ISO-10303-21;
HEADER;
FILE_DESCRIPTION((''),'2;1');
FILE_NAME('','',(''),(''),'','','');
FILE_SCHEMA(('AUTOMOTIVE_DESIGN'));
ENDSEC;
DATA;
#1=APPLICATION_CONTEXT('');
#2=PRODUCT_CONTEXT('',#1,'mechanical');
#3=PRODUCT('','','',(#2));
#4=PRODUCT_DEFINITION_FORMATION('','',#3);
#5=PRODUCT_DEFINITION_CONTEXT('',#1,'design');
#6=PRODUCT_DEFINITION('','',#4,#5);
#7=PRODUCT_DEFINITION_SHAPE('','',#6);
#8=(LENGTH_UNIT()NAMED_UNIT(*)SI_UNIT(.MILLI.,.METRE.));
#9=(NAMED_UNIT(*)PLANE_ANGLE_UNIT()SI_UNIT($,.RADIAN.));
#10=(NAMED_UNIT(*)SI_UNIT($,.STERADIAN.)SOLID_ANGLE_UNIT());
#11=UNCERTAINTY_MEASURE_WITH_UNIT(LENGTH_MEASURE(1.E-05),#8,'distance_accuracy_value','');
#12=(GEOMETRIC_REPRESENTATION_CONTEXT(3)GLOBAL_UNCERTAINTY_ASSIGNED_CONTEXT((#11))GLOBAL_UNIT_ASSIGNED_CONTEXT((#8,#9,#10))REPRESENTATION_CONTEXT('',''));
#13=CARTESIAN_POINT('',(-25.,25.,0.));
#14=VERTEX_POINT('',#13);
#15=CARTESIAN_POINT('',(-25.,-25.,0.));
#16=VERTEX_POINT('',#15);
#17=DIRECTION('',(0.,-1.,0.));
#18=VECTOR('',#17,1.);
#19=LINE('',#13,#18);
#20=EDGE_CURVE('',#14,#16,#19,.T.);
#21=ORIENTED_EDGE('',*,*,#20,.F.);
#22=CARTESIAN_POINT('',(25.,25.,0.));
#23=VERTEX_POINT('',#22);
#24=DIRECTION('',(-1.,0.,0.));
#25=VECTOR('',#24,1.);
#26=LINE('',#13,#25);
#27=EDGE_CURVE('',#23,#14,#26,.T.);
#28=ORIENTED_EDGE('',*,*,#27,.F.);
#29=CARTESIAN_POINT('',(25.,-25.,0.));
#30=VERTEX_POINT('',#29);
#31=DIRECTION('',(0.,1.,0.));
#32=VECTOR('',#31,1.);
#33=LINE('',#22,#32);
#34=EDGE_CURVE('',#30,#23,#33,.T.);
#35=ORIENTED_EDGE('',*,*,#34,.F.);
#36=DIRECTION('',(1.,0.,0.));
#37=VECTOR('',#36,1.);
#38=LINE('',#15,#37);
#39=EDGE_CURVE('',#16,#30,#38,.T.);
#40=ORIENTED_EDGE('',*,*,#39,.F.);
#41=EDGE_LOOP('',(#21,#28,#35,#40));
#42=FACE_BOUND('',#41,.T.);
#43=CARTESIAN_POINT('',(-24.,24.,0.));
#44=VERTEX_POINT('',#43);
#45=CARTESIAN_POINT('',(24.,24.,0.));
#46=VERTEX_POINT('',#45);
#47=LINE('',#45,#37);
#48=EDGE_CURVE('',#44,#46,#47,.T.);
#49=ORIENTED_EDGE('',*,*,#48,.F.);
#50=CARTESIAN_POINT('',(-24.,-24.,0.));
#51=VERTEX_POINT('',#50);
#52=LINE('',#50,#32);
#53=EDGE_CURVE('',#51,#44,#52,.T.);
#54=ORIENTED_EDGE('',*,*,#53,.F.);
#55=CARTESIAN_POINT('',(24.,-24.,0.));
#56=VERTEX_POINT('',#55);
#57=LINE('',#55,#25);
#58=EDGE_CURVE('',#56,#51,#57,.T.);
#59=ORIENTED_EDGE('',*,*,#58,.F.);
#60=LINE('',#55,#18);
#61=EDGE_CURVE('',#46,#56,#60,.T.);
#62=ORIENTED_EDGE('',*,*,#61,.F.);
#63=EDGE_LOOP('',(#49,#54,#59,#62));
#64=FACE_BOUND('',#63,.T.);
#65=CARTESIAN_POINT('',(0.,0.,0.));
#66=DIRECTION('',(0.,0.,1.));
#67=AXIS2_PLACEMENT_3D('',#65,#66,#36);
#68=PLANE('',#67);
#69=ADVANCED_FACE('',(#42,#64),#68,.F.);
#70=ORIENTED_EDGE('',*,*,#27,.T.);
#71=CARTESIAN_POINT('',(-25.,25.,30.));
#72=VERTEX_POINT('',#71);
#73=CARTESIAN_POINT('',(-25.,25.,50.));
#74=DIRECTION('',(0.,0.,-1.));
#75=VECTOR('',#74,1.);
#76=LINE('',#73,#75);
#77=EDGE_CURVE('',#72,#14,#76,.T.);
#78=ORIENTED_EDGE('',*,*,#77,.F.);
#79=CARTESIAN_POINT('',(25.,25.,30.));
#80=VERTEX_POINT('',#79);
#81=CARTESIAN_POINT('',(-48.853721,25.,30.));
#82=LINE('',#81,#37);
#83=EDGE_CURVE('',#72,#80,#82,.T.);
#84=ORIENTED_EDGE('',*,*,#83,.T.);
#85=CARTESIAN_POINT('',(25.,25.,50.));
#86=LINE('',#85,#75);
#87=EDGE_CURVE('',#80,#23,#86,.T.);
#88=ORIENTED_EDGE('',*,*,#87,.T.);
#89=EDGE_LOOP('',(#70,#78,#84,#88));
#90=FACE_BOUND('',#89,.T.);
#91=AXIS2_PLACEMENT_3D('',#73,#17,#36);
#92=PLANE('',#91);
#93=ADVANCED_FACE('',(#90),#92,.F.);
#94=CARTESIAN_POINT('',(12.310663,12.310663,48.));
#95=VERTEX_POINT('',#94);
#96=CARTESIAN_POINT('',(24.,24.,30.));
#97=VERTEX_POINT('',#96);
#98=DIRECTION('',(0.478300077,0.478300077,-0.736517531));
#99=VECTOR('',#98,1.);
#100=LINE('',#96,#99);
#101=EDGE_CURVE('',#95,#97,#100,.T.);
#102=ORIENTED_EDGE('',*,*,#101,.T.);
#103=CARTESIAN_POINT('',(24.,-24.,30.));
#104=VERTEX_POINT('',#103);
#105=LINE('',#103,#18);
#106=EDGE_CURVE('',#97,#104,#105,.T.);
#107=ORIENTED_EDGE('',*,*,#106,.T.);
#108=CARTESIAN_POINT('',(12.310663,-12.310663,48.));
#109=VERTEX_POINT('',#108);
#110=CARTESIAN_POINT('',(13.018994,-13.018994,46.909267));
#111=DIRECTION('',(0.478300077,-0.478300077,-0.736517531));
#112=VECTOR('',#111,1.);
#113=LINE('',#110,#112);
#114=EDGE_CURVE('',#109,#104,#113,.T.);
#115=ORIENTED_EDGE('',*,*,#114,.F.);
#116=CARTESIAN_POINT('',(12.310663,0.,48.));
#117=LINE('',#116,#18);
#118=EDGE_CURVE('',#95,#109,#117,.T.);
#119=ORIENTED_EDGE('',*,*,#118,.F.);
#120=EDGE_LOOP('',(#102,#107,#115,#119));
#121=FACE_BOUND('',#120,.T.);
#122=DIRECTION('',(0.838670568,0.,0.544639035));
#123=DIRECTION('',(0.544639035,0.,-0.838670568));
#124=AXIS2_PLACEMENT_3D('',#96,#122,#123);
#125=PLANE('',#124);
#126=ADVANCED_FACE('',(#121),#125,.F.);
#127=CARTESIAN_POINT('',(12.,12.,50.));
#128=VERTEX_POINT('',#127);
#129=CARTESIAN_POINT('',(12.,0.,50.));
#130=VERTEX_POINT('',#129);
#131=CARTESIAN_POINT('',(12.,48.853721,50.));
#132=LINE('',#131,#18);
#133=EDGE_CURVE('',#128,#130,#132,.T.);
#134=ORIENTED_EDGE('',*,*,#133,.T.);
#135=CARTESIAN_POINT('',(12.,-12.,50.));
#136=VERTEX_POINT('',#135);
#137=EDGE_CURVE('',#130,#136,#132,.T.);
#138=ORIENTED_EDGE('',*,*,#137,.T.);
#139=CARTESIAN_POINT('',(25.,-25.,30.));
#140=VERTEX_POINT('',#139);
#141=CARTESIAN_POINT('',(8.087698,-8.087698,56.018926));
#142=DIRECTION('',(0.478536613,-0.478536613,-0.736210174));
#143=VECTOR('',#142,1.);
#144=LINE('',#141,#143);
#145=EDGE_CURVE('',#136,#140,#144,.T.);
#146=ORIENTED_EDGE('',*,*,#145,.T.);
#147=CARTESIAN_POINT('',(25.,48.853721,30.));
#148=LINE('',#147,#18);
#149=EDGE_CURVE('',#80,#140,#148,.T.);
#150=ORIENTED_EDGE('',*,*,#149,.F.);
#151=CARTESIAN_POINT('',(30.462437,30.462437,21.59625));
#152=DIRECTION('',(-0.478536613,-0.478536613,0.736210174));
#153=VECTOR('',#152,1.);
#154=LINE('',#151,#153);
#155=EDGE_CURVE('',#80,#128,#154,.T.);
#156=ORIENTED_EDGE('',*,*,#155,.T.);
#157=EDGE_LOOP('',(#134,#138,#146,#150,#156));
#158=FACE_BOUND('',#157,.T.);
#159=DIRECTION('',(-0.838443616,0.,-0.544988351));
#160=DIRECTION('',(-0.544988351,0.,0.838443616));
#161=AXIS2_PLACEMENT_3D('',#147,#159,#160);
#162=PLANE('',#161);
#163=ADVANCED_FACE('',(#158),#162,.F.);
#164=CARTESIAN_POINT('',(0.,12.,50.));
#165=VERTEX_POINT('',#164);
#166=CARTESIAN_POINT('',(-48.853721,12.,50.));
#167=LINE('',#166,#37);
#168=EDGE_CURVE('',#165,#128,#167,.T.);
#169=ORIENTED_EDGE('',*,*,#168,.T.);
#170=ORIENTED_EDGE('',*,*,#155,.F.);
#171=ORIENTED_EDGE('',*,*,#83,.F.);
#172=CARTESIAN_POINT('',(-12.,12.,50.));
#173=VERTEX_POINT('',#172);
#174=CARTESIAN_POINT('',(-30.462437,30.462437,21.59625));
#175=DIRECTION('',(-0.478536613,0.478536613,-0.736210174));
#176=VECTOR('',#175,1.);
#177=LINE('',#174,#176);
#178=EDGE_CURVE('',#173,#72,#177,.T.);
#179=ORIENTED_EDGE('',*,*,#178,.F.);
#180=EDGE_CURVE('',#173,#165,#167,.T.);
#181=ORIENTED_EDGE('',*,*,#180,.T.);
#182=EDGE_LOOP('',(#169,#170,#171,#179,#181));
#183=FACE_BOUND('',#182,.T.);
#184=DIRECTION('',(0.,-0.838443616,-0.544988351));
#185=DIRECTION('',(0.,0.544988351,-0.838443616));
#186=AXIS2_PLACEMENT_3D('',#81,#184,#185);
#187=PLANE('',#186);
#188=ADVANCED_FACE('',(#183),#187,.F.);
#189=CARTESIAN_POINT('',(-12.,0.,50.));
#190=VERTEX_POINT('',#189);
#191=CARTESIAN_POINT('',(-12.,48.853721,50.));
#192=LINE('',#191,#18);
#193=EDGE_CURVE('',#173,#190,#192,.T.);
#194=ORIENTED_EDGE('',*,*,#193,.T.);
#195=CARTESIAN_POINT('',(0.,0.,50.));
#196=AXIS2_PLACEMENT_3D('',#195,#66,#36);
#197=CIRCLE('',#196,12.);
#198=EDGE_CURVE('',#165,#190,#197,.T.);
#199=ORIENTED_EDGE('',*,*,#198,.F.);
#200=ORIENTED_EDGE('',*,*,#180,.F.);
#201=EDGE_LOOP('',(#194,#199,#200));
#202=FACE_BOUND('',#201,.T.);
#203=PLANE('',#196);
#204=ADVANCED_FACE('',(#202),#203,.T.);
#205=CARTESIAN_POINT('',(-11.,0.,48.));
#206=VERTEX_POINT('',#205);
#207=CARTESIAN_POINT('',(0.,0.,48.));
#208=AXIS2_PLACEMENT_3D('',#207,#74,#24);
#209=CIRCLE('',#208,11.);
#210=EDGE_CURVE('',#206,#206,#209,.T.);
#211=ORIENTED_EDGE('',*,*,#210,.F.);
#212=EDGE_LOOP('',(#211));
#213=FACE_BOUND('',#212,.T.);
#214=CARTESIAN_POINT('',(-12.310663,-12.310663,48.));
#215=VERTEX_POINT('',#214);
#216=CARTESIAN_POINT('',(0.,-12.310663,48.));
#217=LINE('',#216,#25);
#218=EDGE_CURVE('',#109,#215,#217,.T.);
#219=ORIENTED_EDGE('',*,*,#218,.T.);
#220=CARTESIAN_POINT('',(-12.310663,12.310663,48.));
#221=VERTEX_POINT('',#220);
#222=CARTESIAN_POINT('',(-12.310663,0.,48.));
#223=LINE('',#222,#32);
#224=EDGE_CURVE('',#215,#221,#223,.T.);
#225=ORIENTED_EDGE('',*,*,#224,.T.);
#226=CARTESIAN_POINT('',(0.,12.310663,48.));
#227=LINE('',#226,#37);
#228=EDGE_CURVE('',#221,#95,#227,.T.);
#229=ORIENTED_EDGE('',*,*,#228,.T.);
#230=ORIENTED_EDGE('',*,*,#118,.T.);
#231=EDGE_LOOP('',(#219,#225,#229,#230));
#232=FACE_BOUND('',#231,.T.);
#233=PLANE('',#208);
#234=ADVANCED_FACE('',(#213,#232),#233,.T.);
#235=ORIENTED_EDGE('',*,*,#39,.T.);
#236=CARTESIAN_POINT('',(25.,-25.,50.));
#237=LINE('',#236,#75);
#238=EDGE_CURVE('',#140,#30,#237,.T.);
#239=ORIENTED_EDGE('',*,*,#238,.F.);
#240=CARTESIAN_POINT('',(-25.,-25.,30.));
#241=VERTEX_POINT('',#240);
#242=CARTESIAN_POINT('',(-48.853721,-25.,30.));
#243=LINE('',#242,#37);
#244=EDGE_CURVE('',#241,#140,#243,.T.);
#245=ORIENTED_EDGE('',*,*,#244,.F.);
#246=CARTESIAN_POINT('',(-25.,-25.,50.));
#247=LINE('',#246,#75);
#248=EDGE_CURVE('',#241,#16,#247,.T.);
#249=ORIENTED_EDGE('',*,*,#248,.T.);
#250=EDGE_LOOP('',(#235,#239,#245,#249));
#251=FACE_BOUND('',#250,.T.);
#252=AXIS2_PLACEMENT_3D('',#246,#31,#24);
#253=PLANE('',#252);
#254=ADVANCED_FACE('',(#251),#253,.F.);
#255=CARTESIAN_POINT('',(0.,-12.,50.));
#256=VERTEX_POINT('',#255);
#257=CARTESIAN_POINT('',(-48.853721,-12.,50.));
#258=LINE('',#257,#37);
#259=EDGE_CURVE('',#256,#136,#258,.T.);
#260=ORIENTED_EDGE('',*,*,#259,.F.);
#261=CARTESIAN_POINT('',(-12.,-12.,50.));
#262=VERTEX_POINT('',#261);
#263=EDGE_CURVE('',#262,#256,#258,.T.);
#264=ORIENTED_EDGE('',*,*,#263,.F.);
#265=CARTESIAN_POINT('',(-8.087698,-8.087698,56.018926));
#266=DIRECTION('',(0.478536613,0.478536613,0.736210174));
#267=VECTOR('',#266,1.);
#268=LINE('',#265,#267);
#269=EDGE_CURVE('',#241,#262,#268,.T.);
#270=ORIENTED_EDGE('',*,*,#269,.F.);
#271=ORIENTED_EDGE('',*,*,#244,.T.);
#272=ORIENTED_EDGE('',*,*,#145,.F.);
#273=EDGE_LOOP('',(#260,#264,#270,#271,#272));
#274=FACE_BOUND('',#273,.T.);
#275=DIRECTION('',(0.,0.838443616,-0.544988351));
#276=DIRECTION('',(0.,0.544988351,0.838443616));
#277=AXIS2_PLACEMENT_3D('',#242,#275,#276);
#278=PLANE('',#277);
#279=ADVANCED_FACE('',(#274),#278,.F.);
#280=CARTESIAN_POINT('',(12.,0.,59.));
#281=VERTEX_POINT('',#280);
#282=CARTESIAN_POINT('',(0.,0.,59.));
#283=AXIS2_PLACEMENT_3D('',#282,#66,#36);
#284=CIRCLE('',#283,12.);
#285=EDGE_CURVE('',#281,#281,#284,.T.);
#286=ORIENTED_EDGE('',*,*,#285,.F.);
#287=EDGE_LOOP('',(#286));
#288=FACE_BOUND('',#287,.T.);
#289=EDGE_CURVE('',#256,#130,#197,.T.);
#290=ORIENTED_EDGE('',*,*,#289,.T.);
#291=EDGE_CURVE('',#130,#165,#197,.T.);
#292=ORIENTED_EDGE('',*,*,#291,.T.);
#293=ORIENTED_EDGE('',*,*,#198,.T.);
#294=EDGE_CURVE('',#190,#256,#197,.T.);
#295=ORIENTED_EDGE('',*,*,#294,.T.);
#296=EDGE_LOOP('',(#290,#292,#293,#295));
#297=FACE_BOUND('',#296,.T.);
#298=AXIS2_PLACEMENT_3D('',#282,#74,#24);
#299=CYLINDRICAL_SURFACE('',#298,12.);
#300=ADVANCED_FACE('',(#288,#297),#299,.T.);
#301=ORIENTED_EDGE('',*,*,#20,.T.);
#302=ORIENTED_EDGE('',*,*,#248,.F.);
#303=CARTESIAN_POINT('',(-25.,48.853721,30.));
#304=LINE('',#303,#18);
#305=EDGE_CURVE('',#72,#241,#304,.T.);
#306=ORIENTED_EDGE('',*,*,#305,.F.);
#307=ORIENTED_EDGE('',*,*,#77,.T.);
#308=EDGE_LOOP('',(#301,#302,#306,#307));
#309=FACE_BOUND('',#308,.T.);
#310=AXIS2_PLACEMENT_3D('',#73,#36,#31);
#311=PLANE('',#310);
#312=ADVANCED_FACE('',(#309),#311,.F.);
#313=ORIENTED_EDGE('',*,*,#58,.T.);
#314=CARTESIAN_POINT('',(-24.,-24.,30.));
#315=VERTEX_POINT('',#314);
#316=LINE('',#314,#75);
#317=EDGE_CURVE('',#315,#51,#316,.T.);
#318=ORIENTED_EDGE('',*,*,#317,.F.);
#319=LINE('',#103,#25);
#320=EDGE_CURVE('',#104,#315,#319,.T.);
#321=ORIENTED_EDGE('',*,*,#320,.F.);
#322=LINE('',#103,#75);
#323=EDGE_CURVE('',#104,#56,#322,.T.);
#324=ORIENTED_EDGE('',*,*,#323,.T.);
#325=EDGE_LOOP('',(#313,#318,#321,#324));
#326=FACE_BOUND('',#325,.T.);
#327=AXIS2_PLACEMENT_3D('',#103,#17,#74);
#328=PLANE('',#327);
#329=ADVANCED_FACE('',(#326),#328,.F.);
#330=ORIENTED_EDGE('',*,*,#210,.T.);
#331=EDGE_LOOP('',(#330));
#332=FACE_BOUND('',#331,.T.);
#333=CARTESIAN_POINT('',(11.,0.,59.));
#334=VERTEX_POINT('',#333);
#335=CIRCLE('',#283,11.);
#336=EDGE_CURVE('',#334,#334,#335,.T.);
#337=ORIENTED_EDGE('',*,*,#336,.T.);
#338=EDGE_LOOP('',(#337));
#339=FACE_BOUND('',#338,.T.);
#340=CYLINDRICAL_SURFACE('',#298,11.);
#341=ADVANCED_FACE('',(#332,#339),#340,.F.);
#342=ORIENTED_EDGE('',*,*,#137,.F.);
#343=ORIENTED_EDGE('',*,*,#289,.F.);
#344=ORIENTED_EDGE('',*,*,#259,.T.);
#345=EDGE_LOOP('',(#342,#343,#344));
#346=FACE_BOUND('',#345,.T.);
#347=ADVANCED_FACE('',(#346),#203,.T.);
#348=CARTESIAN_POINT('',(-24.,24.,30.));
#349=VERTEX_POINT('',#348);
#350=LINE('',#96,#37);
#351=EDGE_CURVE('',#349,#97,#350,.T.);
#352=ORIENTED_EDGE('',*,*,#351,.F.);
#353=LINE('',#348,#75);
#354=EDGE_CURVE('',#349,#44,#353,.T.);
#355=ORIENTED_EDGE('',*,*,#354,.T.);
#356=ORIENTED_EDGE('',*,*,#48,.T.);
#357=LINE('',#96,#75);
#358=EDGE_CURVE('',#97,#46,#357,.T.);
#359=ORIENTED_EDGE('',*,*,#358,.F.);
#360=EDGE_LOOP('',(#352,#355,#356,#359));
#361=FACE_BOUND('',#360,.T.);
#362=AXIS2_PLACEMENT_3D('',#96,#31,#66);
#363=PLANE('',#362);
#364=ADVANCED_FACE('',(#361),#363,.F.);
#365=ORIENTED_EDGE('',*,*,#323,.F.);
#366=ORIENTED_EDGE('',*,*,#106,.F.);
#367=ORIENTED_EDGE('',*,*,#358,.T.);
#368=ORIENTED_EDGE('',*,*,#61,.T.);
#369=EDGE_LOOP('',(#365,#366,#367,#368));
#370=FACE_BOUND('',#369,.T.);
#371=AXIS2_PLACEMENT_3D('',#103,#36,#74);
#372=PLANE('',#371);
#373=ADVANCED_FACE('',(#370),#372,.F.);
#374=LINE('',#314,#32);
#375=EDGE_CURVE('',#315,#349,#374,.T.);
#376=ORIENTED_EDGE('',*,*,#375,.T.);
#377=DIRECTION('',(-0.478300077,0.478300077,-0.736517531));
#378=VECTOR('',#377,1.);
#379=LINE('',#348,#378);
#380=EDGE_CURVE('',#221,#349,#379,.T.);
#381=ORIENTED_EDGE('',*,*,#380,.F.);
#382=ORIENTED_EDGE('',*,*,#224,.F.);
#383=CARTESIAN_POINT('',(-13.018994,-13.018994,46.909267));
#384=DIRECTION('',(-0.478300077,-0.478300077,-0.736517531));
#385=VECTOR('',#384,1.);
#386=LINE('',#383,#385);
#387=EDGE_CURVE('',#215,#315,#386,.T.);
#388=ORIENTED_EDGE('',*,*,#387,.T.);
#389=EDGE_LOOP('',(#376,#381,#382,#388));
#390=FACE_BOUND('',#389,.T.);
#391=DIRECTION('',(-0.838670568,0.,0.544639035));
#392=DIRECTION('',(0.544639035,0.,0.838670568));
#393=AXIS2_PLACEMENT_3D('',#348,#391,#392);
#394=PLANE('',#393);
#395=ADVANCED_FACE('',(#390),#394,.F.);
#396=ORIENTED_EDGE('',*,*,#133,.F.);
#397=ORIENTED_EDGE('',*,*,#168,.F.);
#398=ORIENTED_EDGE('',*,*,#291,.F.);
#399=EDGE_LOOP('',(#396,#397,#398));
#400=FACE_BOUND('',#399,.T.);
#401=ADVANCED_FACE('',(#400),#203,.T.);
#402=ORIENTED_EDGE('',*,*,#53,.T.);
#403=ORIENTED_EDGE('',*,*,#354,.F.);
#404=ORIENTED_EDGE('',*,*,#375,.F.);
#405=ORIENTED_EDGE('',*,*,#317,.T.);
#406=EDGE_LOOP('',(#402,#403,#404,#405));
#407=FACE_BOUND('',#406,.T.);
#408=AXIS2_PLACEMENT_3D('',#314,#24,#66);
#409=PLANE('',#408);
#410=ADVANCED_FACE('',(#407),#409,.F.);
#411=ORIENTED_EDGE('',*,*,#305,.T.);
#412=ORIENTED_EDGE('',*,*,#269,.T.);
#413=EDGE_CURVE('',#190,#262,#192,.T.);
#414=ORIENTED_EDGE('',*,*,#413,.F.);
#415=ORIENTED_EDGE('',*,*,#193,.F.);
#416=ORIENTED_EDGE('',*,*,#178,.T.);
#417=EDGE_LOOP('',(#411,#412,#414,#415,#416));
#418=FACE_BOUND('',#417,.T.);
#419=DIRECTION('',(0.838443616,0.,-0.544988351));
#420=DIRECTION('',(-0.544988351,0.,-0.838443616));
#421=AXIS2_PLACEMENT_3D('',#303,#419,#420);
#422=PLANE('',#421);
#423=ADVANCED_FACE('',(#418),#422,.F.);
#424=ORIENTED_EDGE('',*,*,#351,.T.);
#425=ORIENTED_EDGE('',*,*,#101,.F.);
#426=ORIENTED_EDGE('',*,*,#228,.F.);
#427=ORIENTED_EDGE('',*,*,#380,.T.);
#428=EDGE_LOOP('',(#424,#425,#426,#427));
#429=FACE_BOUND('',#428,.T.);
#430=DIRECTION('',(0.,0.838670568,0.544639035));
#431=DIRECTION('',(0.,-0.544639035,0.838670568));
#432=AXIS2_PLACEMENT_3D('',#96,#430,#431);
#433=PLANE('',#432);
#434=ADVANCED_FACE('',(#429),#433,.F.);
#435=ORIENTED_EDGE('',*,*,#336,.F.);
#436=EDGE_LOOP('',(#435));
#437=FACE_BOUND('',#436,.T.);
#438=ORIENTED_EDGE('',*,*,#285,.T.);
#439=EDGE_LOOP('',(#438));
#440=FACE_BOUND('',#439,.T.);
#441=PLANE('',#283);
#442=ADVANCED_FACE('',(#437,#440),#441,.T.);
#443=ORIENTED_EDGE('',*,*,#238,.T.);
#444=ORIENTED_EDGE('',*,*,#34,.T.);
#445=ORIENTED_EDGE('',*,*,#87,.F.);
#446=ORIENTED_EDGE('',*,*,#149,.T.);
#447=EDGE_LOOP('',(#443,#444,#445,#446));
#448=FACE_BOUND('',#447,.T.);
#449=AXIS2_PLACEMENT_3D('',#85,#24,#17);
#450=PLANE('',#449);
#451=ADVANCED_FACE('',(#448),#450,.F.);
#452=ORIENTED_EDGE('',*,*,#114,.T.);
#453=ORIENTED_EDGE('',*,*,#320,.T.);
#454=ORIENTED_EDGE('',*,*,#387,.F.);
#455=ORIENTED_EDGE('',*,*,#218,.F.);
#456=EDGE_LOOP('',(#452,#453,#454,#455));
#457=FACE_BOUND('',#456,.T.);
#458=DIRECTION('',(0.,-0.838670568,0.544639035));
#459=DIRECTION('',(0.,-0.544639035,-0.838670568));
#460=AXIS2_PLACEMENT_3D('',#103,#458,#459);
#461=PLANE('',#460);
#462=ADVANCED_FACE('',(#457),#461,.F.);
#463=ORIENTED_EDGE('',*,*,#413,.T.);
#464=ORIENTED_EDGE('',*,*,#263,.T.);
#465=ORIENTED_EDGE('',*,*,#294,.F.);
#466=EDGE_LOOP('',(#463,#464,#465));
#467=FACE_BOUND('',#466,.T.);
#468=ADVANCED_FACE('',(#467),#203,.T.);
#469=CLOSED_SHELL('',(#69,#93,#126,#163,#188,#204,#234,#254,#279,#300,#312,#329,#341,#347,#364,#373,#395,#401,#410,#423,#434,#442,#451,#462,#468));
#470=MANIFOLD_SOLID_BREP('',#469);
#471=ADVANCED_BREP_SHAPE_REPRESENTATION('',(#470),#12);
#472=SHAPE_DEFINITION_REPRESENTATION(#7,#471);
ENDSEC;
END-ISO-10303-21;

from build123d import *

# Parameters (mm, degrees)
SKETCH_1_W           = 50
SKETCH_1_H           = 50
EXTRUDE_1_DEPTH      = 50
SKETCH_6_R           = 12
SKETCH_6_R_2         = 11
EXTRUDE_3_DEPTH      = 9
CUT_EXTRUDE_5_REACH  = 83.277
CUT_EXTRUDE_6_REACH  = 83.277
SKETCH_20_W          = 48
SKETCH_20_H          = 48
CUT_EXTRUDE_7_DEPTH  = 30
CUT_EXTRUDE_START    = -29
SKETCH_21_R          = 11
CUT_EXTRUDE_9_DEPTH  = 29
SKETCH_28_W          = 48
SKETCH_28_H          = 48
CUT_EXTRUDE_11_DEPTH = 18
CUT_EXTRUDE_11_DRAFT = -33


with BuildPart() as part:
    # Эскиз1 → Бобышка-Вытянуть1 (new body)
    with BuildSketch(Plane.XY):
        Rectangle(SKETCH_1_W, SKETCH_1_H)
    extrude(amount=EXTRUDE_1_DEPTH)

    # Эскиз6 → Бобышка-Вытянуть3 (add)
    with BuildSketch(Plane.XY.offset(50)):
        Circle(SKETCH_6_R)
        Circle(SKETCH_6_R_2, mode=Mode.SUBTRACT)
    extrude(amount=EXTRUDE_3_DEPTH)

    # Вырез-Вытянуть5: up to this face of the body (flat: up to its plane)
    cut_extrude_5_end = Plane(part.part.faces().sort_by_distance((0, 25, 25))[0])
    # Эскиз19 → Вырез-Вытянуть5 (cut, up to the picked face)
    with BuildSketch(Plane.XZ.offset(25), mode=Mode.PRIVATE) as cut_extrude_5_sk1:
        Polygon((-12, 50), (-25, 50), (-25, 30), align=None)
    cut_extrude_5_tool1 = split(extrude(cut_extrude_5_sk1.sketch, amount=-CUT_EXTRUDE_5_REACH, mode=Mode.PRIVATE), bisect_by=cut_extrude_5_end, keep=Keep.BOTH, mode=Mode.PRIVATE)
    # Эскиз19 → Вырез-Вытянуть5 (cut, up to the picked face)
    with BuildSketch(Plane.XZ.offset(25), mode=Mode.PRIVATE) as cut_extrude_5_sk2:
        Polygon((12, 50), (25, 50), (25, 30), align=None)
    cut_extrude_5_tool2 = split(extrude(cut_extrude_5_sk2.sketch, amount=-CUT_EXTRUDE_5_REACH, mode=Mode.PRIVATE), bisect_by=cut_extrude_5_end, keep=Keep.BOTH, mode=Mode.PRIVATE)
    add(cut_extrude_5_tool1.solids().sort_by(Axis((-20.666667, -25, 43.333333), (0, 1, 0)))[0], mode=Mode.SUBTRACT)
    add(cut_extrude_5_tool2.solids().sort_by(Axis((20.666667, -25, 43.333333), (0, 1, 0)))[0], mode=Mode.SUBTRACT)

    # Вырез-Вытянуть6: up to this face of the body (flat: up to its plane)
    cut_extrude_6_end = Plane(part.part.faces().sort_by_distance((-25, 0, 15))[0])
    # Эскиз18 → Вырез-Вытянуть6 (cut, up to the picked face)
    with BuildSketch(Plane(origin=(25, 0, 0), x_dir=(0, 0, -1), z_dir=(1, 0, 0)), mode=Mode.PRIVATE) as cut_extrude_6_sk1:
        Polygon((-50, 12), (-50, 25), (-30, 25), align=None)
    cut_extrude_6_tool1 = split(extrude(cut_extrude_6_sk1.sketch, amount=-CUT_EXTRUDE_6_REACH, mode=Mode.PRIVATE), bisect_by=cut_extrude_6_end, keep=Keep.BOTH, mode=Mode.PRIVATE)
    # Эскиз18 → Вырез-Вытянуть6 (cut, up to the picked face)
    with BuildSketch(Plane(origin=(25, 0, 0), x_dir=(0, 0, -1), z_dir=(1, 0, 0)), mode=Mode.PRIVATE) as cut_extrude_6_sk2:
        Polygon((-50, -12), (-50, -25), (-30, -25), align=None)
    cut_extrude_6_tool2 = split(extrude(cut_extrude_6_sk2.sketch, amount=-CUT_EXTRUDE_6_REACH, mode=Mode.PRIVATE), bisect_by=cut_extrude_6_end, keep=Keep.BOTH, mode=Mode.PRIVATE)
    add(cut_extrude_6_tool1.solids().sort_by(Axis((25, 20.666667, 43.333333), (-1, 0, 0)))[0], mode=Mode.SUBTRACT)
    add(cut_extrude_6_tool2.solids().sort_by(Axis((25, -20.666667, 43.333333), (-1, 0, 0)))[0], mode=Mode.SUBTRACT)

    # Эскиз20 → Вырез-Вытянуть7 (cut)
    with BuildSketch(Plane(origin=(0, 0, 0), x_dir=(-1, 0, 0), z_dir=(0, 0, -1))):
        Rectangle(SKETCH_20_W, SKETCH_20_H)
    extrude(amount=-CUT_EXTRUDE_7_DEPTH, mode=Mode.SUBTRACT)

    # Эскиз21 → Вырез-Вытянуть9 (cut)
    with BuildSketch(Plane.XY.offset(59).offset(CUT_EXTRUDE_START)):
        Circle(SKETCH_21_R)
    extrude(amount=CUT_EXTRUDE_9_DEPTH, mode=Mode.SUBTRACT)


with BuildPart() as cut_extrude_11_tool:
    # Эскиз28 → Вырез-Вытянуть11 (with draft: the straight prism first)
    with BuildSketch(Plane(origin=(0, 0, 30), x_dir=(-1, 0, 0), z_dir=(0, 0, -1))):
        Rectangle(SKETCH_28_W, SKETCH_28_H)
    extrude(amount=-CUT_EXTRUDE_11_DEPTH)
    # Вырез-Вытянуть11: the draft: its side faces are tilted about the plane it starts from
    cut_extrude_11_sides = [cut_extrude_11_tool.faces().sort_by_distance(p)[0] for p in [
        (24, 0, 39),
        (0, -24, 39),
        (-24, 0, 39),
        (0, 24, 39),
    ]]
    draft(cut_extrude_11_sides, Plane(origin=(0, 0, 30), x_dir=(-1, 0, 0), z_dir=(0, 0, -1)), CUT_EXTRUDE_11_DRAFT)


with BuildPart() as part_1:
    add(part.part)

    # Вырез-Вытянуть11: cut by cut_extrude_11_tool
    add(cut_extrude_11_tool.part, mode=Mode.SUBTRACT)


solid = part_1.part
